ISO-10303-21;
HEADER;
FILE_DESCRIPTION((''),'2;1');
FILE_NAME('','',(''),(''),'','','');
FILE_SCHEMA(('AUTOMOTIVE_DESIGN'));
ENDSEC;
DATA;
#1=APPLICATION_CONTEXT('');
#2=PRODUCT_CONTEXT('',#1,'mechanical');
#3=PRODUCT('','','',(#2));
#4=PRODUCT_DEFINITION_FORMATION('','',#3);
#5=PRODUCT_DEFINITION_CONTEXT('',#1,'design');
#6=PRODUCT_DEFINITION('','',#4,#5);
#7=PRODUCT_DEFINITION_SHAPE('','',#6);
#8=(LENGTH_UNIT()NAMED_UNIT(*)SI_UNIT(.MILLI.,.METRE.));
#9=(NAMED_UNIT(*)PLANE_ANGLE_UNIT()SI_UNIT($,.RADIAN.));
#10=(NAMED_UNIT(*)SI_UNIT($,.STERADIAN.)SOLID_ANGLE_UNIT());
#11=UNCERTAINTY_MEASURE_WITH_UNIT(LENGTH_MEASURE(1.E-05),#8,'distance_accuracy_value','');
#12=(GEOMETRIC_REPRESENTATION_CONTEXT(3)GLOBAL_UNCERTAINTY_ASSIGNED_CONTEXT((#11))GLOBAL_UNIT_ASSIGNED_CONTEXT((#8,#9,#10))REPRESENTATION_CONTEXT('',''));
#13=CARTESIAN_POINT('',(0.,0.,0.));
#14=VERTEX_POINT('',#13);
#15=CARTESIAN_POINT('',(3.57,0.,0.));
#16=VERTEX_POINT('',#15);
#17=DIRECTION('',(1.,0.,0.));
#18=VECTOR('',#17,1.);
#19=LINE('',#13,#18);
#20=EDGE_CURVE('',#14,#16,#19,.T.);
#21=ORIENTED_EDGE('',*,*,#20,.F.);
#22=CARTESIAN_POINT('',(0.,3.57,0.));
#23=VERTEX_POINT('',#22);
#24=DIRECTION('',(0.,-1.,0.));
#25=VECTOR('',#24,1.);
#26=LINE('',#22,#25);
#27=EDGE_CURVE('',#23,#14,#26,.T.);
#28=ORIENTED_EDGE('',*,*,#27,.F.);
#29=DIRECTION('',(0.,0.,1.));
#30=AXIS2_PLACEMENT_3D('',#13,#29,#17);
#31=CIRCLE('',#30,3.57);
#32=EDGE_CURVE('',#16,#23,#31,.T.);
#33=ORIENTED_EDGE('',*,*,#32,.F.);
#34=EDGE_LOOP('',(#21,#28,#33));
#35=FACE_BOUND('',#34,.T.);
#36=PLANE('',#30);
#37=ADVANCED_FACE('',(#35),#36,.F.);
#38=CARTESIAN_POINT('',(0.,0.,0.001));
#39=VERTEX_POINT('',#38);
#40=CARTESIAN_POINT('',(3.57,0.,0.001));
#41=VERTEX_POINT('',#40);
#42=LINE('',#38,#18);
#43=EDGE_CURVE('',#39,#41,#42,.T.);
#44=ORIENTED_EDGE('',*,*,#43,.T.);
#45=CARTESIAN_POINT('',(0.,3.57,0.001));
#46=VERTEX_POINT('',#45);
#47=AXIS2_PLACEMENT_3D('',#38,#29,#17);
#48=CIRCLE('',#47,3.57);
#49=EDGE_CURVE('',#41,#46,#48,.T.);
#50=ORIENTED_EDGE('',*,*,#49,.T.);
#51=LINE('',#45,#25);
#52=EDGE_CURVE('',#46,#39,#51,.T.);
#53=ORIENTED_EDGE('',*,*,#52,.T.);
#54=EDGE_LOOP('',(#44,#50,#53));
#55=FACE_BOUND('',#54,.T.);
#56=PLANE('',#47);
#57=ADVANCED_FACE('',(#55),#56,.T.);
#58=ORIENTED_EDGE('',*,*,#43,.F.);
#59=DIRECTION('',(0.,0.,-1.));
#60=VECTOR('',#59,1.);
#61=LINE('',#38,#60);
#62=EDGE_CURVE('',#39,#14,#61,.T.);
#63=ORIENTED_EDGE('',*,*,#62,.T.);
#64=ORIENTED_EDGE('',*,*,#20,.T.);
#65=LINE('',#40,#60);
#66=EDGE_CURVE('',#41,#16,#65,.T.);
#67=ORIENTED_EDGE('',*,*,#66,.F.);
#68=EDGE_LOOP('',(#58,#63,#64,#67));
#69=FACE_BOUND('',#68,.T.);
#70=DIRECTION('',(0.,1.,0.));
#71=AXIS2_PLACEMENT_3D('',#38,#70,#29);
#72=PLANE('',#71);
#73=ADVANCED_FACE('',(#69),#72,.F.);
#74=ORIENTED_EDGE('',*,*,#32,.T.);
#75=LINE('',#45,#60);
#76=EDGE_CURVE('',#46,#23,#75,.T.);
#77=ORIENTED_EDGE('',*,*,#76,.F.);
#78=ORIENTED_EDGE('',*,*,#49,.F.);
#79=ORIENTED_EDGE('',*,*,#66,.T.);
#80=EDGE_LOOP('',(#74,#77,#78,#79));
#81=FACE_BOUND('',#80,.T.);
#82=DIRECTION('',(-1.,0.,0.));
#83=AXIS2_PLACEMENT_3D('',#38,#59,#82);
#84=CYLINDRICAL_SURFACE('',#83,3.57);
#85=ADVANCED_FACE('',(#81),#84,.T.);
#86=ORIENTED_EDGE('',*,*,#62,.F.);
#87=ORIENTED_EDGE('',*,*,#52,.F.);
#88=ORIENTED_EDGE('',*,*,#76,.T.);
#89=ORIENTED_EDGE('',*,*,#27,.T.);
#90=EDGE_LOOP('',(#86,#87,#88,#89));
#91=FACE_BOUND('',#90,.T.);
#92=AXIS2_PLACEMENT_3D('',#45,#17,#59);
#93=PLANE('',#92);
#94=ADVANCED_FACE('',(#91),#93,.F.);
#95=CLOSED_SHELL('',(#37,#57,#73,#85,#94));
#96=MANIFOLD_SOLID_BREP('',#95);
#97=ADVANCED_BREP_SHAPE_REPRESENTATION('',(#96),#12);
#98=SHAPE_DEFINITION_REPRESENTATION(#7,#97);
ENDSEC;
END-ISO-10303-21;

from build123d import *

# Parameters (mm, degrees)
BOSS_EXTRUDE1_DEPTH = 0.001


with BuildPart() as part:
    # Sketch1 → Boss-Extrude1 (new body)
    with BuildSketch(Plane.XY):
        with BuildLine():
            Line((0, 0), (3.57, 0))
            ThreePointArc((3.57, 0), (2.524371209, 2.524371209), (0, 3.57))
            Line((0, 3.57), (0, 0))
        make_face()
    extrude(amount=BOSS_EXTRUDE1_DEPTH)


solid = part.part
